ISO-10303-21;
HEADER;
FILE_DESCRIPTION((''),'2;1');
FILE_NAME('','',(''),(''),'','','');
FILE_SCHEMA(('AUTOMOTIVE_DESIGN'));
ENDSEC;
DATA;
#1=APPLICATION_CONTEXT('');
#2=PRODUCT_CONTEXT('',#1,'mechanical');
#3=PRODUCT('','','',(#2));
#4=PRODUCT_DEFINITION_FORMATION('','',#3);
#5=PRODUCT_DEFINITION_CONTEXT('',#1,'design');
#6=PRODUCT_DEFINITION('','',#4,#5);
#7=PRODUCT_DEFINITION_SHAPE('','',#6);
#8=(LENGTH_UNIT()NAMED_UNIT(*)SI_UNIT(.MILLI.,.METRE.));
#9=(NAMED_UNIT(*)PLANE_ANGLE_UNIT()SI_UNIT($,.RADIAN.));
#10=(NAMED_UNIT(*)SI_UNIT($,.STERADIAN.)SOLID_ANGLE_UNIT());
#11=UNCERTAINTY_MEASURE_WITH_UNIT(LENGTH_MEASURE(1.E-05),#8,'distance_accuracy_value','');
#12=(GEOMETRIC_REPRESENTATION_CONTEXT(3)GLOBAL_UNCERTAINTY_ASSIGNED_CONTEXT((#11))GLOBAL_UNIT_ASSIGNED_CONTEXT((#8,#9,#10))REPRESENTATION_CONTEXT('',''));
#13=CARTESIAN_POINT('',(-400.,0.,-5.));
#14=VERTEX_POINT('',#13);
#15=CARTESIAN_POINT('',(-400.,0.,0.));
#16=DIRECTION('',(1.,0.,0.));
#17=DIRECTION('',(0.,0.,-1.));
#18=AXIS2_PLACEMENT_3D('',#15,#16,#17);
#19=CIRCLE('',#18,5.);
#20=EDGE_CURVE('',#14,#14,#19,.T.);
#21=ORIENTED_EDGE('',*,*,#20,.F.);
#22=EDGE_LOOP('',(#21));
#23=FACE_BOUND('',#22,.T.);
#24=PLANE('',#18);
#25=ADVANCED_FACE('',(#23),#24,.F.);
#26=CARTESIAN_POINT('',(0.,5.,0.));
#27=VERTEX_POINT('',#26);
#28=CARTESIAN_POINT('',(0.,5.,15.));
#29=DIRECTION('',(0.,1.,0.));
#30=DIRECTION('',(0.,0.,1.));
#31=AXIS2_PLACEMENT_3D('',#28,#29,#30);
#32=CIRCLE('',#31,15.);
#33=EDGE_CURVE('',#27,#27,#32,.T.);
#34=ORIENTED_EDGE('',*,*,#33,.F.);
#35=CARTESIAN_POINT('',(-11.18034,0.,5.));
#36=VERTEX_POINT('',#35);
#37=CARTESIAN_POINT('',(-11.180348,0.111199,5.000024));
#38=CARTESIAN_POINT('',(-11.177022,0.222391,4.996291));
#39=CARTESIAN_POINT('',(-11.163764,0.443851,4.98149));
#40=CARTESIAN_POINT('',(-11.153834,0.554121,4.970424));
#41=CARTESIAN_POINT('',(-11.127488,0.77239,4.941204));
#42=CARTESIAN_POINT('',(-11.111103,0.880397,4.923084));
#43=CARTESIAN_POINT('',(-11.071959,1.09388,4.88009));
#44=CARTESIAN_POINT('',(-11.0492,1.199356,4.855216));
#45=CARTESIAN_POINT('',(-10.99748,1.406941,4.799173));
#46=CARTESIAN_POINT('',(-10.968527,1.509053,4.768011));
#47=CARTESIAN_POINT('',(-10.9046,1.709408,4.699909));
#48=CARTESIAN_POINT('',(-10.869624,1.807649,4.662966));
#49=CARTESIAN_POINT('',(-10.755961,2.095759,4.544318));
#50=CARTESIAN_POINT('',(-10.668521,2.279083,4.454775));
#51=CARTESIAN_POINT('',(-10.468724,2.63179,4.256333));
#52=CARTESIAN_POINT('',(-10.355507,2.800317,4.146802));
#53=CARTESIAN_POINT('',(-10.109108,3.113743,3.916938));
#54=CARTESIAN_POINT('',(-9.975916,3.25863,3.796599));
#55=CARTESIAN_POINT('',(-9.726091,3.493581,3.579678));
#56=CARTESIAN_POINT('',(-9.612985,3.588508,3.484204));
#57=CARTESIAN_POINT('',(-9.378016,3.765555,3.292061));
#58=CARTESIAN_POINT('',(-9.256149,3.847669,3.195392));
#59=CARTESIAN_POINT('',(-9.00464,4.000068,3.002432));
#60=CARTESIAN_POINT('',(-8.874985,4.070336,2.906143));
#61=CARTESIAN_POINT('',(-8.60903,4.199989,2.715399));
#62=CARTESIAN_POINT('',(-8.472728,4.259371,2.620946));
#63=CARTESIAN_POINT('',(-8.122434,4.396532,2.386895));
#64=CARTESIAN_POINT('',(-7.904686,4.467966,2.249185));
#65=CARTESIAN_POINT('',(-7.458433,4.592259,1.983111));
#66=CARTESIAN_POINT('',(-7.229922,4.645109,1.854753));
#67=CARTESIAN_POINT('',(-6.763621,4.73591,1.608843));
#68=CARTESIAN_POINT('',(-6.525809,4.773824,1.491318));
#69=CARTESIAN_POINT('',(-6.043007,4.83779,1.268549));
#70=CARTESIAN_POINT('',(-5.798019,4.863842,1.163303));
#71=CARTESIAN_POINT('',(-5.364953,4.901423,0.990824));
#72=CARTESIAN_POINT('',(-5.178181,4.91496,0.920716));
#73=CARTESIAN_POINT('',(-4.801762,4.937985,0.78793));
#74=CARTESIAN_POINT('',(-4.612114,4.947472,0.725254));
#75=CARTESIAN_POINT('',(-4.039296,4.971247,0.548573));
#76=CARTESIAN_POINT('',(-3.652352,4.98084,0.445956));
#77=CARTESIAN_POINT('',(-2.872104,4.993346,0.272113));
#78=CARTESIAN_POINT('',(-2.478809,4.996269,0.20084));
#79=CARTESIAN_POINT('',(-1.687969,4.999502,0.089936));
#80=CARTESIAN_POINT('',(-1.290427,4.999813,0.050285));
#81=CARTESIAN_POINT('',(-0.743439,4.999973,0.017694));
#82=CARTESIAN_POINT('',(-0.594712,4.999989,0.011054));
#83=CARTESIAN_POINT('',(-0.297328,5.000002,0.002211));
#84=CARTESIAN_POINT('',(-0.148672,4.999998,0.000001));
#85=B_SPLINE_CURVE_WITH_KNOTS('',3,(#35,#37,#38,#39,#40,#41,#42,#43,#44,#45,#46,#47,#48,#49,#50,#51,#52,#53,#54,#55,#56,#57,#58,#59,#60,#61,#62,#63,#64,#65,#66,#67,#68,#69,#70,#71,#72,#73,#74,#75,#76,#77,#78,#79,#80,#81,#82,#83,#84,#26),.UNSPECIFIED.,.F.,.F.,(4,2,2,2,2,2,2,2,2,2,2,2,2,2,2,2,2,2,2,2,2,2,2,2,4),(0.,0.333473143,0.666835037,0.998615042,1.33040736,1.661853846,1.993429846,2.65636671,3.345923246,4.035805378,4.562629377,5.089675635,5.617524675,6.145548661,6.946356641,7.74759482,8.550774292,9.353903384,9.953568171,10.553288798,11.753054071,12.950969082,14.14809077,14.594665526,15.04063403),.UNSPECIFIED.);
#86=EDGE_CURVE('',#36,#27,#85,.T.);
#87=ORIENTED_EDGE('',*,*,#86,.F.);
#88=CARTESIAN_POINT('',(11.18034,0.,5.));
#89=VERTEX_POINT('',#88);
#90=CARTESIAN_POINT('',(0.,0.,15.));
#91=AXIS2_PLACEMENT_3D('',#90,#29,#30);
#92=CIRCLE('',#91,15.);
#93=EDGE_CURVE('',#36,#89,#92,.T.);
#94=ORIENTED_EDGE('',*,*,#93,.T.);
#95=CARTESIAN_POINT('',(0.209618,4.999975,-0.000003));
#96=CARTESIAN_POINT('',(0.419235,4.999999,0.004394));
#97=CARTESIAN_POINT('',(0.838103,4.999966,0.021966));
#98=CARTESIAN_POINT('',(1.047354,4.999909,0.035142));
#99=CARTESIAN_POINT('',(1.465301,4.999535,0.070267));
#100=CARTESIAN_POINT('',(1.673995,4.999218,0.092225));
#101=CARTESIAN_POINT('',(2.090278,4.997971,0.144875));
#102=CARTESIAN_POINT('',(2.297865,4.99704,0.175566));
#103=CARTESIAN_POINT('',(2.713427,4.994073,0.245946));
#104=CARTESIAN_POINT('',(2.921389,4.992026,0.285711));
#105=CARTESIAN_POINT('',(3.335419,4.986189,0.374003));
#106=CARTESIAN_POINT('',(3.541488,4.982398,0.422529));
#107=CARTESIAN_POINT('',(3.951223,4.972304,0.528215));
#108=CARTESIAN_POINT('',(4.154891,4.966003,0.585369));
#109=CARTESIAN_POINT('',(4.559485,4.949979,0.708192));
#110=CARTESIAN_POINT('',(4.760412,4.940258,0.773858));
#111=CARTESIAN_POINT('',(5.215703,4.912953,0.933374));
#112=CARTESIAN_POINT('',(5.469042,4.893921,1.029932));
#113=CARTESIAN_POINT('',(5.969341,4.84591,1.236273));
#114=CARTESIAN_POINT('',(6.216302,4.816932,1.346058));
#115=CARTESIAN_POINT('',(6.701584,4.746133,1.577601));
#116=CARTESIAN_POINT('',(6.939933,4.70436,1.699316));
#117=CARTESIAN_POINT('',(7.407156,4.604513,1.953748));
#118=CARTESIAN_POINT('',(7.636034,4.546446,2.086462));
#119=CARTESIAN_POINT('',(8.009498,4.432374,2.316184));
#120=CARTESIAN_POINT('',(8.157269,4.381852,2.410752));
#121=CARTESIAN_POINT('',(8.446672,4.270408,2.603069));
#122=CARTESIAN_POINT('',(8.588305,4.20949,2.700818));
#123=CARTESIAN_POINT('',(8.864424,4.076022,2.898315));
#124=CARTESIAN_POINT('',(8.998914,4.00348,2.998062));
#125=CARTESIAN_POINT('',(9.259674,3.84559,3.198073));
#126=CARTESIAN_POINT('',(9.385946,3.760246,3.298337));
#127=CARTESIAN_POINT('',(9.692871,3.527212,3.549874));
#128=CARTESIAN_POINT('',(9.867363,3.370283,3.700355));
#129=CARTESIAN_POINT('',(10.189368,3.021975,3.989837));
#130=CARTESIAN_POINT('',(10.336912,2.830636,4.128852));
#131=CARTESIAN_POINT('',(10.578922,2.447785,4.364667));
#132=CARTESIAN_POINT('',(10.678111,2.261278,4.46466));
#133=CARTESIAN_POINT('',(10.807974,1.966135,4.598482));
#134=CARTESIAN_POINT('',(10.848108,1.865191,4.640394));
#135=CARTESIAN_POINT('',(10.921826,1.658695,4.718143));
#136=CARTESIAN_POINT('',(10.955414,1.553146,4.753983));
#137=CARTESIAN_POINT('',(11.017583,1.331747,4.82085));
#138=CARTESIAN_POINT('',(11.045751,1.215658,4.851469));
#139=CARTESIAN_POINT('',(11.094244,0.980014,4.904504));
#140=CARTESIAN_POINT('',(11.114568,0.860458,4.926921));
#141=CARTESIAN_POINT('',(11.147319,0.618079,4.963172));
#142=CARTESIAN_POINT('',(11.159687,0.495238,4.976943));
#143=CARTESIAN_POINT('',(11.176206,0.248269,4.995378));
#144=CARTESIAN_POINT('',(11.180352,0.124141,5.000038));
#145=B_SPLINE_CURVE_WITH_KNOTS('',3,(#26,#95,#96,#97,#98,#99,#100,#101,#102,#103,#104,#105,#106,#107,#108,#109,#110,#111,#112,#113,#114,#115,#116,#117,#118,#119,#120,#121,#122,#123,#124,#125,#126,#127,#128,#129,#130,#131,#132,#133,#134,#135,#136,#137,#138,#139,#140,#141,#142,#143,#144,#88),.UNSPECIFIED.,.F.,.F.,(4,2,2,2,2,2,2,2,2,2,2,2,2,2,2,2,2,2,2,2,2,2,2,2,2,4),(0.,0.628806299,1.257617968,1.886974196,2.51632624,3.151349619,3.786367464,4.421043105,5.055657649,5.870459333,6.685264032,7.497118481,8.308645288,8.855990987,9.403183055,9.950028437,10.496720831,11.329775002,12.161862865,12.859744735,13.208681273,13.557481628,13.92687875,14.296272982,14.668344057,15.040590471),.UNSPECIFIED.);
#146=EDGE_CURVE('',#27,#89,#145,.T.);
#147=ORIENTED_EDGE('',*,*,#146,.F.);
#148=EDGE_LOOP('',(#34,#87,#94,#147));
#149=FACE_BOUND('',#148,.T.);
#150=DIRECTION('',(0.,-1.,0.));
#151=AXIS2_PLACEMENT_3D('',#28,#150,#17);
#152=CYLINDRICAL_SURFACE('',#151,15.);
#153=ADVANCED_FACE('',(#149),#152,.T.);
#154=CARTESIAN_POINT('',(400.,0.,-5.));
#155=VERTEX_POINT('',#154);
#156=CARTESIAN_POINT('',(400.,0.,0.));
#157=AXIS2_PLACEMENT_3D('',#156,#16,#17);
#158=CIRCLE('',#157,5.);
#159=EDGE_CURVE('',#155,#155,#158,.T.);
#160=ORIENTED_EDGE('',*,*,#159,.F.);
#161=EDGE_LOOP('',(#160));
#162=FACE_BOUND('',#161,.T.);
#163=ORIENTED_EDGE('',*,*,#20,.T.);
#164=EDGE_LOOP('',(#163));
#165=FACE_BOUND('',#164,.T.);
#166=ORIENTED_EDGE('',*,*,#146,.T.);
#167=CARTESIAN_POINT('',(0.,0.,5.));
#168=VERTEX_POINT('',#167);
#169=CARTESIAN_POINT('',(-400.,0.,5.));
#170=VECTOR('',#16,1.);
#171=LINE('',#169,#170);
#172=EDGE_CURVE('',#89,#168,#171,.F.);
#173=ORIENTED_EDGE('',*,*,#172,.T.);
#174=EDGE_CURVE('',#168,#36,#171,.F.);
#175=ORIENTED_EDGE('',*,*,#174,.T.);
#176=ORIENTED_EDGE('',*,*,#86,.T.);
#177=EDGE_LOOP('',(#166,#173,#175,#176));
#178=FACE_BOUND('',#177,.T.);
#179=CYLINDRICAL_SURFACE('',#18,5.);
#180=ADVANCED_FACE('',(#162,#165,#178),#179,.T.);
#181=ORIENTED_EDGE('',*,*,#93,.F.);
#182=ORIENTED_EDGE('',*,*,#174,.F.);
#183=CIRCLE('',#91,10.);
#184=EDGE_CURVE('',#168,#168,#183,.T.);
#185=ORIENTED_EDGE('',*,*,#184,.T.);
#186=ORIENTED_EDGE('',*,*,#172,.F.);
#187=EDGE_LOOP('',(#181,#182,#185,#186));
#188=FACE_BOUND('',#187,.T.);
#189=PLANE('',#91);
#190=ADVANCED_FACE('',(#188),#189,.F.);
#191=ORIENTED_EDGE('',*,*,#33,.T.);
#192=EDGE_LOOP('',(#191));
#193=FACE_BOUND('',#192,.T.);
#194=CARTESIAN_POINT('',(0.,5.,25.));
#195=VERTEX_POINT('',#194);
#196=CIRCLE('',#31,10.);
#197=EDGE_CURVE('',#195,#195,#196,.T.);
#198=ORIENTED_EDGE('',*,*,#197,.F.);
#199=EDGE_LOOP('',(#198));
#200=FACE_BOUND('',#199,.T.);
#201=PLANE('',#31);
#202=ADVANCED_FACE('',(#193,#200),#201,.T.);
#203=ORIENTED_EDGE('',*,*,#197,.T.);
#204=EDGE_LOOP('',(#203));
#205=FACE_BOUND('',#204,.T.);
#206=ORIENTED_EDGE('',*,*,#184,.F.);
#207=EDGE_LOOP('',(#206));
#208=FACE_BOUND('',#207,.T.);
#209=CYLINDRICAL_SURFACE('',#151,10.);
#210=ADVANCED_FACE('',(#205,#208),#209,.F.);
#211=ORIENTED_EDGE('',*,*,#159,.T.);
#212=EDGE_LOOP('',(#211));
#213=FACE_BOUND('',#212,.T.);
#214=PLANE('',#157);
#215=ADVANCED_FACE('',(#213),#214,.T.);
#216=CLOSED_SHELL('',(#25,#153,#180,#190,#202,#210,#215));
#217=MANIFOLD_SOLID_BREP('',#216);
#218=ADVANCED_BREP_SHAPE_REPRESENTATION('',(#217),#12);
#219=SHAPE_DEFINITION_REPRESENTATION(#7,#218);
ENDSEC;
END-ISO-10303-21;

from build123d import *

# Parameters (mm, degrees)
BALAYAGE1_PROFILE_R = 5
ESQUISSE2_R         = 15
ESQUISSE2_R_2       = 10
BOSS_EXTRU_1_DEPTH  = 5


with BuildPart() as part:
    # Balayage1: sweep along a path in Esquisse1
    with BuildLine(Plane.XY) as balayage1_path:
        Line((-400, 0), (400, 0))
    # Balayage1 profile (on start of the path) → Balayage1 (sweep)
    with BuildSketch(Plane(origin=(-400, 0, 0), x_dir=(0, 0, 1), z_dir=(1, 0, 0))):
        Circle(BALAYAGE1_PROFILE_R)
    sweep(path=balayage1_path.line)

    # Esquisse2 → Boss.-Extru.1 (add)
    with BuildSketch(Plane(origin=(0, 0, 0), x_dir=(1, 0, 0), z_dir=(0, 1, 0))):
        with Locations((0, -15)):
            Circle(ESQUISSE2_R)
        with Locations(Location((0, -15, 0), (0, 0, 90))):
            Circle(ESQUISSE2_R_2, mode=Mode.SUBTRACT)
    extrude(amount=BOSS_EXTRU_1_DEPTH)


solid = part.part
